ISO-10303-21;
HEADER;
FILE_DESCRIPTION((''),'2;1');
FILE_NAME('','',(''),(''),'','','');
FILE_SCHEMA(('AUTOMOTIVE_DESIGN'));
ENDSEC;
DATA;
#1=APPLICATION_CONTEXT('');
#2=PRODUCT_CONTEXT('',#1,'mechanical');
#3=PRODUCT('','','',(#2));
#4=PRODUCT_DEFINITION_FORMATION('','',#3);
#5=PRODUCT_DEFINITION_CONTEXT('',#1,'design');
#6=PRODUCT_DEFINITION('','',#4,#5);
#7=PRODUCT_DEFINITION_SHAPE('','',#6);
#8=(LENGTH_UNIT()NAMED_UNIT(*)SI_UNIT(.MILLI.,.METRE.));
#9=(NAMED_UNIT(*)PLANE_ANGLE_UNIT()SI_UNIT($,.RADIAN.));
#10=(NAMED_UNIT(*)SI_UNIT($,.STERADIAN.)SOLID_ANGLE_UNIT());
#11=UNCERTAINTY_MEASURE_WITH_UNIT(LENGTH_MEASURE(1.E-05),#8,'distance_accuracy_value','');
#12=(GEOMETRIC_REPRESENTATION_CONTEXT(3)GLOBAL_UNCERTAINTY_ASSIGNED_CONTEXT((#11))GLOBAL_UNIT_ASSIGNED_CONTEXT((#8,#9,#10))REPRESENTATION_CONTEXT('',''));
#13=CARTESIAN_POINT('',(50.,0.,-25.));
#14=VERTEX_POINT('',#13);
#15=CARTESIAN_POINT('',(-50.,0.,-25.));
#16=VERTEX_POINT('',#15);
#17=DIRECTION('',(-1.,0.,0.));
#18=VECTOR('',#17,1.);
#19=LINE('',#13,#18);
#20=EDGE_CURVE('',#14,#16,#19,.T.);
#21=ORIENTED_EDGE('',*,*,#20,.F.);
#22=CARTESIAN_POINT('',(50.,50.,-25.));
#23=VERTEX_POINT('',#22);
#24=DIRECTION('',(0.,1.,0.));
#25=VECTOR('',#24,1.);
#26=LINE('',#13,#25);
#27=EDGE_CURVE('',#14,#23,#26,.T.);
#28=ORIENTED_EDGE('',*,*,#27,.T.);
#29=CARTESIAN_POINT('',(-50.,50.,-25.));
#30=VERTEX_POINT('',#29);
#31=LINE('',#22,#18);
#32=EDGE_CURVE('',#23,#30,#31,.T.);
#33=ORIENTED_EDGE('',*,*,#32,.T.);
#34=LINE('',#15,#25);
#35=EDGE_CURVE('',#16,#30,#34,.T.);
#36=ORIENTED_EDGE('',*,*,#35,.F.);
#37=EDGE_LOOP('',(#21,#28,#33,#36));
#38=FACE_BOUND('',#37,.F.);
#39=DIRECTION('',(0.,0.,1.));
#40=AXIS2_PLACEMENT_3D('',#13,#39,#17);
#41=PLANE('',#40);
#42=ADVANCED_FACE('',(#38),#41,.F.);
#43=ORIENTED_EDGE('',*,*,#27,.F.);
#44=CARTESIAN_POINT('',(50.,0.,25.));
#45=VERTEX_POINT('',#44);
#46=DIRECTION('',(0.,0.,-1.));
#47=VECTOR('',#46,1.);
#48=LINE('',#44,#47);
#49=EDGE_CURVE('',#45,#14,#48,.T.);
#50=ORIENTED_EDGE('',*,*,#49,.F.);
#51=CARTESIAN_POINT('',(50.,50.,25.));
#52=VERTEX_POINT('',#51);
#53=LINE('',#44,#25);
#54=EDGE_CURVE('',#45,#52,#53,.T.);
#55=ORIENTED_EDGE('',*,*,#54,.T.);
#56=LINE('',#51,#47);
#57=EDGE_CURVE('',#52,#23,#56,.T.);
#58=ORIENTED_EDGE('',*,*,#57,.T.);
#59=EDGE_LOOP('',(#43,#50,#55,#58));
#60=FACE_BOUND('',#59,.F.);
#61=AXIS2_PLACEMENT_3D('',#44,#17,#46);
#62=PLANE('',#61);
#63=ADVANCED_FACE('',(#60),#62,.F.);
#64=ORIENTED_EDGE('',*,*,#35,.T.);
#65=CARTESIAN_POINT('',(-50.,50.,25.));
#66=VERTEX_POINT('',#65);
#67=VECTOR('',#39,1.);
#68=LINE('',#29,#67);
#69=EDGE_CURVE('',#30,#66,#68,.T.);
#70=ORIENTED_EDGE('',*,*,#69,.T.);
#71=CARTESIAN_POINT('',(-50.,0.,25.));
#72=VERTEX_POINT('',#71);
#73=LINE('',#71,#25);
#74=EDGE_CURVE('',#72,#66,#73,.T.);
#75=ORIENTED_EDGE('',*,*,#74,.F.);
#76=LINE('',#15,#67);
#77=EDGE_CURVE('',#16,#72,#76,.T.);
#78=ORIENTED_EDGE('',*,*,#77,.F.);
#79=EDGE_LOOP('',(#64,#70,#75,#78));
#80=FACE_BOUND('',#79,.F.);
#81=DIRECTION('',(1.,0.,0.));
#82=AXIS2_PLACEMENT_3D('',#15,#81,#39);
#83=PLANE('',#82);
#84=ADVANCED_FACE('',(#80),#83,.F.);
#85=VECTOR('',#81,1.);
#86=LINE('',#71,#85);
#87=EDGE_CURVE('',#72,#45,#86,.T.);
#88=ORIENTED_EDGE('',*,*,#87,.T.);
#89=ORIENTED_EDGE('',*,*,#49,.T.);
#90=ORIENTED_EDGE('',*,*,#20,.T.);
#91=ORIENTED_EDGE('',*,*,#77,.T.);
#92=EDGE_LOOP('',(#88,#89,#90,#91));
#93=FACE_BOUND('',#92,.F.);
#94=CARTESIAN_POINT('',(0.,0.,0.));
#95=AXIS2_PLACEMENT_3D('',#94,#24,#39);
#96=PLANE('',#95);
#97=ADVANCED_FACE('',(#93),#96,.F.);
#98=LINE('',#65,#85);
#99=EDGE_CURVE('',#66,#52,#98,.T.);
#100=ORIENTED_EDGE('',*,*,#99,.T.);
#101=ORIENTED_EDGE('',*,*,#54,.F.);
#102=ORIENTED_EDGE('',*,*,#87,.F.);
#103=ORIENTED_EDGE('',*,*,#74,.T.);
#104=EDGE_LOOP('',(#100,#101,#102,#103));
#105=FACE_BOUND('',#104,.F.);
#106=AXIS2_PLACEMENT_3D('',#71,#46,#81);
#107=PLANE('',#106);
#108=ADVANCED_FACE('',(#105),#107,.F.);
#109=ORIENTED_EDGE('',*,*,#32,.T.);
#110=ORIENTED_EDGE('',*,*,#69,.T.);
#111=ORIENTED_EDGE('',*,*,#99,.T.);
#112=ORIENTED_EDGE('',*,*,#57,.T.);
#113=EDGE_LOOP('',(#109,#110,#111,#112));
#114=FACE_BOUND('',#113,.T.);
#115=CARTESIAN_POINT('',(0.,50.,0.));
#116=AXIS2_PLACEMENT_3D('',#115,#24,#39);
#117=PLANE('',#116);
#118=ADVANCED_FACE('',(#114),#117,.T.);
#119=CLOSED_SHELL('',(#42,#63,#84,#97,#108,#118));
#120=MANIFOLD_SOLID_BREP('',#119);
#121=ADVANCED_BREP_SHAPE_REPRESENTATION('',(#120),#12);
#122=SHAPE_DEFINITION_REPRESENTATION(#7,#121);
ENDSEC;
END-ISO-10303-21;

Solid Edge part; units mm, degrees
sketch "Sketch1" plane through (0, 0, 0) normal (0, -1, 0) x (1, 0, 0)
  line L0 (-50, 25) -> (50, 25)
  line L1 (50, 25) -> (50, -25)
  line L2 (50, -25) -> (-50, -25)
  line L3 (-50, -25) -> (-50, 25)
  dimension "D1" = 100
  dimension "D2" = 50
extrude "Protrusion1" add sketch "Sketch1" against normal blind 50
properties material "알루미늄, 1060"
